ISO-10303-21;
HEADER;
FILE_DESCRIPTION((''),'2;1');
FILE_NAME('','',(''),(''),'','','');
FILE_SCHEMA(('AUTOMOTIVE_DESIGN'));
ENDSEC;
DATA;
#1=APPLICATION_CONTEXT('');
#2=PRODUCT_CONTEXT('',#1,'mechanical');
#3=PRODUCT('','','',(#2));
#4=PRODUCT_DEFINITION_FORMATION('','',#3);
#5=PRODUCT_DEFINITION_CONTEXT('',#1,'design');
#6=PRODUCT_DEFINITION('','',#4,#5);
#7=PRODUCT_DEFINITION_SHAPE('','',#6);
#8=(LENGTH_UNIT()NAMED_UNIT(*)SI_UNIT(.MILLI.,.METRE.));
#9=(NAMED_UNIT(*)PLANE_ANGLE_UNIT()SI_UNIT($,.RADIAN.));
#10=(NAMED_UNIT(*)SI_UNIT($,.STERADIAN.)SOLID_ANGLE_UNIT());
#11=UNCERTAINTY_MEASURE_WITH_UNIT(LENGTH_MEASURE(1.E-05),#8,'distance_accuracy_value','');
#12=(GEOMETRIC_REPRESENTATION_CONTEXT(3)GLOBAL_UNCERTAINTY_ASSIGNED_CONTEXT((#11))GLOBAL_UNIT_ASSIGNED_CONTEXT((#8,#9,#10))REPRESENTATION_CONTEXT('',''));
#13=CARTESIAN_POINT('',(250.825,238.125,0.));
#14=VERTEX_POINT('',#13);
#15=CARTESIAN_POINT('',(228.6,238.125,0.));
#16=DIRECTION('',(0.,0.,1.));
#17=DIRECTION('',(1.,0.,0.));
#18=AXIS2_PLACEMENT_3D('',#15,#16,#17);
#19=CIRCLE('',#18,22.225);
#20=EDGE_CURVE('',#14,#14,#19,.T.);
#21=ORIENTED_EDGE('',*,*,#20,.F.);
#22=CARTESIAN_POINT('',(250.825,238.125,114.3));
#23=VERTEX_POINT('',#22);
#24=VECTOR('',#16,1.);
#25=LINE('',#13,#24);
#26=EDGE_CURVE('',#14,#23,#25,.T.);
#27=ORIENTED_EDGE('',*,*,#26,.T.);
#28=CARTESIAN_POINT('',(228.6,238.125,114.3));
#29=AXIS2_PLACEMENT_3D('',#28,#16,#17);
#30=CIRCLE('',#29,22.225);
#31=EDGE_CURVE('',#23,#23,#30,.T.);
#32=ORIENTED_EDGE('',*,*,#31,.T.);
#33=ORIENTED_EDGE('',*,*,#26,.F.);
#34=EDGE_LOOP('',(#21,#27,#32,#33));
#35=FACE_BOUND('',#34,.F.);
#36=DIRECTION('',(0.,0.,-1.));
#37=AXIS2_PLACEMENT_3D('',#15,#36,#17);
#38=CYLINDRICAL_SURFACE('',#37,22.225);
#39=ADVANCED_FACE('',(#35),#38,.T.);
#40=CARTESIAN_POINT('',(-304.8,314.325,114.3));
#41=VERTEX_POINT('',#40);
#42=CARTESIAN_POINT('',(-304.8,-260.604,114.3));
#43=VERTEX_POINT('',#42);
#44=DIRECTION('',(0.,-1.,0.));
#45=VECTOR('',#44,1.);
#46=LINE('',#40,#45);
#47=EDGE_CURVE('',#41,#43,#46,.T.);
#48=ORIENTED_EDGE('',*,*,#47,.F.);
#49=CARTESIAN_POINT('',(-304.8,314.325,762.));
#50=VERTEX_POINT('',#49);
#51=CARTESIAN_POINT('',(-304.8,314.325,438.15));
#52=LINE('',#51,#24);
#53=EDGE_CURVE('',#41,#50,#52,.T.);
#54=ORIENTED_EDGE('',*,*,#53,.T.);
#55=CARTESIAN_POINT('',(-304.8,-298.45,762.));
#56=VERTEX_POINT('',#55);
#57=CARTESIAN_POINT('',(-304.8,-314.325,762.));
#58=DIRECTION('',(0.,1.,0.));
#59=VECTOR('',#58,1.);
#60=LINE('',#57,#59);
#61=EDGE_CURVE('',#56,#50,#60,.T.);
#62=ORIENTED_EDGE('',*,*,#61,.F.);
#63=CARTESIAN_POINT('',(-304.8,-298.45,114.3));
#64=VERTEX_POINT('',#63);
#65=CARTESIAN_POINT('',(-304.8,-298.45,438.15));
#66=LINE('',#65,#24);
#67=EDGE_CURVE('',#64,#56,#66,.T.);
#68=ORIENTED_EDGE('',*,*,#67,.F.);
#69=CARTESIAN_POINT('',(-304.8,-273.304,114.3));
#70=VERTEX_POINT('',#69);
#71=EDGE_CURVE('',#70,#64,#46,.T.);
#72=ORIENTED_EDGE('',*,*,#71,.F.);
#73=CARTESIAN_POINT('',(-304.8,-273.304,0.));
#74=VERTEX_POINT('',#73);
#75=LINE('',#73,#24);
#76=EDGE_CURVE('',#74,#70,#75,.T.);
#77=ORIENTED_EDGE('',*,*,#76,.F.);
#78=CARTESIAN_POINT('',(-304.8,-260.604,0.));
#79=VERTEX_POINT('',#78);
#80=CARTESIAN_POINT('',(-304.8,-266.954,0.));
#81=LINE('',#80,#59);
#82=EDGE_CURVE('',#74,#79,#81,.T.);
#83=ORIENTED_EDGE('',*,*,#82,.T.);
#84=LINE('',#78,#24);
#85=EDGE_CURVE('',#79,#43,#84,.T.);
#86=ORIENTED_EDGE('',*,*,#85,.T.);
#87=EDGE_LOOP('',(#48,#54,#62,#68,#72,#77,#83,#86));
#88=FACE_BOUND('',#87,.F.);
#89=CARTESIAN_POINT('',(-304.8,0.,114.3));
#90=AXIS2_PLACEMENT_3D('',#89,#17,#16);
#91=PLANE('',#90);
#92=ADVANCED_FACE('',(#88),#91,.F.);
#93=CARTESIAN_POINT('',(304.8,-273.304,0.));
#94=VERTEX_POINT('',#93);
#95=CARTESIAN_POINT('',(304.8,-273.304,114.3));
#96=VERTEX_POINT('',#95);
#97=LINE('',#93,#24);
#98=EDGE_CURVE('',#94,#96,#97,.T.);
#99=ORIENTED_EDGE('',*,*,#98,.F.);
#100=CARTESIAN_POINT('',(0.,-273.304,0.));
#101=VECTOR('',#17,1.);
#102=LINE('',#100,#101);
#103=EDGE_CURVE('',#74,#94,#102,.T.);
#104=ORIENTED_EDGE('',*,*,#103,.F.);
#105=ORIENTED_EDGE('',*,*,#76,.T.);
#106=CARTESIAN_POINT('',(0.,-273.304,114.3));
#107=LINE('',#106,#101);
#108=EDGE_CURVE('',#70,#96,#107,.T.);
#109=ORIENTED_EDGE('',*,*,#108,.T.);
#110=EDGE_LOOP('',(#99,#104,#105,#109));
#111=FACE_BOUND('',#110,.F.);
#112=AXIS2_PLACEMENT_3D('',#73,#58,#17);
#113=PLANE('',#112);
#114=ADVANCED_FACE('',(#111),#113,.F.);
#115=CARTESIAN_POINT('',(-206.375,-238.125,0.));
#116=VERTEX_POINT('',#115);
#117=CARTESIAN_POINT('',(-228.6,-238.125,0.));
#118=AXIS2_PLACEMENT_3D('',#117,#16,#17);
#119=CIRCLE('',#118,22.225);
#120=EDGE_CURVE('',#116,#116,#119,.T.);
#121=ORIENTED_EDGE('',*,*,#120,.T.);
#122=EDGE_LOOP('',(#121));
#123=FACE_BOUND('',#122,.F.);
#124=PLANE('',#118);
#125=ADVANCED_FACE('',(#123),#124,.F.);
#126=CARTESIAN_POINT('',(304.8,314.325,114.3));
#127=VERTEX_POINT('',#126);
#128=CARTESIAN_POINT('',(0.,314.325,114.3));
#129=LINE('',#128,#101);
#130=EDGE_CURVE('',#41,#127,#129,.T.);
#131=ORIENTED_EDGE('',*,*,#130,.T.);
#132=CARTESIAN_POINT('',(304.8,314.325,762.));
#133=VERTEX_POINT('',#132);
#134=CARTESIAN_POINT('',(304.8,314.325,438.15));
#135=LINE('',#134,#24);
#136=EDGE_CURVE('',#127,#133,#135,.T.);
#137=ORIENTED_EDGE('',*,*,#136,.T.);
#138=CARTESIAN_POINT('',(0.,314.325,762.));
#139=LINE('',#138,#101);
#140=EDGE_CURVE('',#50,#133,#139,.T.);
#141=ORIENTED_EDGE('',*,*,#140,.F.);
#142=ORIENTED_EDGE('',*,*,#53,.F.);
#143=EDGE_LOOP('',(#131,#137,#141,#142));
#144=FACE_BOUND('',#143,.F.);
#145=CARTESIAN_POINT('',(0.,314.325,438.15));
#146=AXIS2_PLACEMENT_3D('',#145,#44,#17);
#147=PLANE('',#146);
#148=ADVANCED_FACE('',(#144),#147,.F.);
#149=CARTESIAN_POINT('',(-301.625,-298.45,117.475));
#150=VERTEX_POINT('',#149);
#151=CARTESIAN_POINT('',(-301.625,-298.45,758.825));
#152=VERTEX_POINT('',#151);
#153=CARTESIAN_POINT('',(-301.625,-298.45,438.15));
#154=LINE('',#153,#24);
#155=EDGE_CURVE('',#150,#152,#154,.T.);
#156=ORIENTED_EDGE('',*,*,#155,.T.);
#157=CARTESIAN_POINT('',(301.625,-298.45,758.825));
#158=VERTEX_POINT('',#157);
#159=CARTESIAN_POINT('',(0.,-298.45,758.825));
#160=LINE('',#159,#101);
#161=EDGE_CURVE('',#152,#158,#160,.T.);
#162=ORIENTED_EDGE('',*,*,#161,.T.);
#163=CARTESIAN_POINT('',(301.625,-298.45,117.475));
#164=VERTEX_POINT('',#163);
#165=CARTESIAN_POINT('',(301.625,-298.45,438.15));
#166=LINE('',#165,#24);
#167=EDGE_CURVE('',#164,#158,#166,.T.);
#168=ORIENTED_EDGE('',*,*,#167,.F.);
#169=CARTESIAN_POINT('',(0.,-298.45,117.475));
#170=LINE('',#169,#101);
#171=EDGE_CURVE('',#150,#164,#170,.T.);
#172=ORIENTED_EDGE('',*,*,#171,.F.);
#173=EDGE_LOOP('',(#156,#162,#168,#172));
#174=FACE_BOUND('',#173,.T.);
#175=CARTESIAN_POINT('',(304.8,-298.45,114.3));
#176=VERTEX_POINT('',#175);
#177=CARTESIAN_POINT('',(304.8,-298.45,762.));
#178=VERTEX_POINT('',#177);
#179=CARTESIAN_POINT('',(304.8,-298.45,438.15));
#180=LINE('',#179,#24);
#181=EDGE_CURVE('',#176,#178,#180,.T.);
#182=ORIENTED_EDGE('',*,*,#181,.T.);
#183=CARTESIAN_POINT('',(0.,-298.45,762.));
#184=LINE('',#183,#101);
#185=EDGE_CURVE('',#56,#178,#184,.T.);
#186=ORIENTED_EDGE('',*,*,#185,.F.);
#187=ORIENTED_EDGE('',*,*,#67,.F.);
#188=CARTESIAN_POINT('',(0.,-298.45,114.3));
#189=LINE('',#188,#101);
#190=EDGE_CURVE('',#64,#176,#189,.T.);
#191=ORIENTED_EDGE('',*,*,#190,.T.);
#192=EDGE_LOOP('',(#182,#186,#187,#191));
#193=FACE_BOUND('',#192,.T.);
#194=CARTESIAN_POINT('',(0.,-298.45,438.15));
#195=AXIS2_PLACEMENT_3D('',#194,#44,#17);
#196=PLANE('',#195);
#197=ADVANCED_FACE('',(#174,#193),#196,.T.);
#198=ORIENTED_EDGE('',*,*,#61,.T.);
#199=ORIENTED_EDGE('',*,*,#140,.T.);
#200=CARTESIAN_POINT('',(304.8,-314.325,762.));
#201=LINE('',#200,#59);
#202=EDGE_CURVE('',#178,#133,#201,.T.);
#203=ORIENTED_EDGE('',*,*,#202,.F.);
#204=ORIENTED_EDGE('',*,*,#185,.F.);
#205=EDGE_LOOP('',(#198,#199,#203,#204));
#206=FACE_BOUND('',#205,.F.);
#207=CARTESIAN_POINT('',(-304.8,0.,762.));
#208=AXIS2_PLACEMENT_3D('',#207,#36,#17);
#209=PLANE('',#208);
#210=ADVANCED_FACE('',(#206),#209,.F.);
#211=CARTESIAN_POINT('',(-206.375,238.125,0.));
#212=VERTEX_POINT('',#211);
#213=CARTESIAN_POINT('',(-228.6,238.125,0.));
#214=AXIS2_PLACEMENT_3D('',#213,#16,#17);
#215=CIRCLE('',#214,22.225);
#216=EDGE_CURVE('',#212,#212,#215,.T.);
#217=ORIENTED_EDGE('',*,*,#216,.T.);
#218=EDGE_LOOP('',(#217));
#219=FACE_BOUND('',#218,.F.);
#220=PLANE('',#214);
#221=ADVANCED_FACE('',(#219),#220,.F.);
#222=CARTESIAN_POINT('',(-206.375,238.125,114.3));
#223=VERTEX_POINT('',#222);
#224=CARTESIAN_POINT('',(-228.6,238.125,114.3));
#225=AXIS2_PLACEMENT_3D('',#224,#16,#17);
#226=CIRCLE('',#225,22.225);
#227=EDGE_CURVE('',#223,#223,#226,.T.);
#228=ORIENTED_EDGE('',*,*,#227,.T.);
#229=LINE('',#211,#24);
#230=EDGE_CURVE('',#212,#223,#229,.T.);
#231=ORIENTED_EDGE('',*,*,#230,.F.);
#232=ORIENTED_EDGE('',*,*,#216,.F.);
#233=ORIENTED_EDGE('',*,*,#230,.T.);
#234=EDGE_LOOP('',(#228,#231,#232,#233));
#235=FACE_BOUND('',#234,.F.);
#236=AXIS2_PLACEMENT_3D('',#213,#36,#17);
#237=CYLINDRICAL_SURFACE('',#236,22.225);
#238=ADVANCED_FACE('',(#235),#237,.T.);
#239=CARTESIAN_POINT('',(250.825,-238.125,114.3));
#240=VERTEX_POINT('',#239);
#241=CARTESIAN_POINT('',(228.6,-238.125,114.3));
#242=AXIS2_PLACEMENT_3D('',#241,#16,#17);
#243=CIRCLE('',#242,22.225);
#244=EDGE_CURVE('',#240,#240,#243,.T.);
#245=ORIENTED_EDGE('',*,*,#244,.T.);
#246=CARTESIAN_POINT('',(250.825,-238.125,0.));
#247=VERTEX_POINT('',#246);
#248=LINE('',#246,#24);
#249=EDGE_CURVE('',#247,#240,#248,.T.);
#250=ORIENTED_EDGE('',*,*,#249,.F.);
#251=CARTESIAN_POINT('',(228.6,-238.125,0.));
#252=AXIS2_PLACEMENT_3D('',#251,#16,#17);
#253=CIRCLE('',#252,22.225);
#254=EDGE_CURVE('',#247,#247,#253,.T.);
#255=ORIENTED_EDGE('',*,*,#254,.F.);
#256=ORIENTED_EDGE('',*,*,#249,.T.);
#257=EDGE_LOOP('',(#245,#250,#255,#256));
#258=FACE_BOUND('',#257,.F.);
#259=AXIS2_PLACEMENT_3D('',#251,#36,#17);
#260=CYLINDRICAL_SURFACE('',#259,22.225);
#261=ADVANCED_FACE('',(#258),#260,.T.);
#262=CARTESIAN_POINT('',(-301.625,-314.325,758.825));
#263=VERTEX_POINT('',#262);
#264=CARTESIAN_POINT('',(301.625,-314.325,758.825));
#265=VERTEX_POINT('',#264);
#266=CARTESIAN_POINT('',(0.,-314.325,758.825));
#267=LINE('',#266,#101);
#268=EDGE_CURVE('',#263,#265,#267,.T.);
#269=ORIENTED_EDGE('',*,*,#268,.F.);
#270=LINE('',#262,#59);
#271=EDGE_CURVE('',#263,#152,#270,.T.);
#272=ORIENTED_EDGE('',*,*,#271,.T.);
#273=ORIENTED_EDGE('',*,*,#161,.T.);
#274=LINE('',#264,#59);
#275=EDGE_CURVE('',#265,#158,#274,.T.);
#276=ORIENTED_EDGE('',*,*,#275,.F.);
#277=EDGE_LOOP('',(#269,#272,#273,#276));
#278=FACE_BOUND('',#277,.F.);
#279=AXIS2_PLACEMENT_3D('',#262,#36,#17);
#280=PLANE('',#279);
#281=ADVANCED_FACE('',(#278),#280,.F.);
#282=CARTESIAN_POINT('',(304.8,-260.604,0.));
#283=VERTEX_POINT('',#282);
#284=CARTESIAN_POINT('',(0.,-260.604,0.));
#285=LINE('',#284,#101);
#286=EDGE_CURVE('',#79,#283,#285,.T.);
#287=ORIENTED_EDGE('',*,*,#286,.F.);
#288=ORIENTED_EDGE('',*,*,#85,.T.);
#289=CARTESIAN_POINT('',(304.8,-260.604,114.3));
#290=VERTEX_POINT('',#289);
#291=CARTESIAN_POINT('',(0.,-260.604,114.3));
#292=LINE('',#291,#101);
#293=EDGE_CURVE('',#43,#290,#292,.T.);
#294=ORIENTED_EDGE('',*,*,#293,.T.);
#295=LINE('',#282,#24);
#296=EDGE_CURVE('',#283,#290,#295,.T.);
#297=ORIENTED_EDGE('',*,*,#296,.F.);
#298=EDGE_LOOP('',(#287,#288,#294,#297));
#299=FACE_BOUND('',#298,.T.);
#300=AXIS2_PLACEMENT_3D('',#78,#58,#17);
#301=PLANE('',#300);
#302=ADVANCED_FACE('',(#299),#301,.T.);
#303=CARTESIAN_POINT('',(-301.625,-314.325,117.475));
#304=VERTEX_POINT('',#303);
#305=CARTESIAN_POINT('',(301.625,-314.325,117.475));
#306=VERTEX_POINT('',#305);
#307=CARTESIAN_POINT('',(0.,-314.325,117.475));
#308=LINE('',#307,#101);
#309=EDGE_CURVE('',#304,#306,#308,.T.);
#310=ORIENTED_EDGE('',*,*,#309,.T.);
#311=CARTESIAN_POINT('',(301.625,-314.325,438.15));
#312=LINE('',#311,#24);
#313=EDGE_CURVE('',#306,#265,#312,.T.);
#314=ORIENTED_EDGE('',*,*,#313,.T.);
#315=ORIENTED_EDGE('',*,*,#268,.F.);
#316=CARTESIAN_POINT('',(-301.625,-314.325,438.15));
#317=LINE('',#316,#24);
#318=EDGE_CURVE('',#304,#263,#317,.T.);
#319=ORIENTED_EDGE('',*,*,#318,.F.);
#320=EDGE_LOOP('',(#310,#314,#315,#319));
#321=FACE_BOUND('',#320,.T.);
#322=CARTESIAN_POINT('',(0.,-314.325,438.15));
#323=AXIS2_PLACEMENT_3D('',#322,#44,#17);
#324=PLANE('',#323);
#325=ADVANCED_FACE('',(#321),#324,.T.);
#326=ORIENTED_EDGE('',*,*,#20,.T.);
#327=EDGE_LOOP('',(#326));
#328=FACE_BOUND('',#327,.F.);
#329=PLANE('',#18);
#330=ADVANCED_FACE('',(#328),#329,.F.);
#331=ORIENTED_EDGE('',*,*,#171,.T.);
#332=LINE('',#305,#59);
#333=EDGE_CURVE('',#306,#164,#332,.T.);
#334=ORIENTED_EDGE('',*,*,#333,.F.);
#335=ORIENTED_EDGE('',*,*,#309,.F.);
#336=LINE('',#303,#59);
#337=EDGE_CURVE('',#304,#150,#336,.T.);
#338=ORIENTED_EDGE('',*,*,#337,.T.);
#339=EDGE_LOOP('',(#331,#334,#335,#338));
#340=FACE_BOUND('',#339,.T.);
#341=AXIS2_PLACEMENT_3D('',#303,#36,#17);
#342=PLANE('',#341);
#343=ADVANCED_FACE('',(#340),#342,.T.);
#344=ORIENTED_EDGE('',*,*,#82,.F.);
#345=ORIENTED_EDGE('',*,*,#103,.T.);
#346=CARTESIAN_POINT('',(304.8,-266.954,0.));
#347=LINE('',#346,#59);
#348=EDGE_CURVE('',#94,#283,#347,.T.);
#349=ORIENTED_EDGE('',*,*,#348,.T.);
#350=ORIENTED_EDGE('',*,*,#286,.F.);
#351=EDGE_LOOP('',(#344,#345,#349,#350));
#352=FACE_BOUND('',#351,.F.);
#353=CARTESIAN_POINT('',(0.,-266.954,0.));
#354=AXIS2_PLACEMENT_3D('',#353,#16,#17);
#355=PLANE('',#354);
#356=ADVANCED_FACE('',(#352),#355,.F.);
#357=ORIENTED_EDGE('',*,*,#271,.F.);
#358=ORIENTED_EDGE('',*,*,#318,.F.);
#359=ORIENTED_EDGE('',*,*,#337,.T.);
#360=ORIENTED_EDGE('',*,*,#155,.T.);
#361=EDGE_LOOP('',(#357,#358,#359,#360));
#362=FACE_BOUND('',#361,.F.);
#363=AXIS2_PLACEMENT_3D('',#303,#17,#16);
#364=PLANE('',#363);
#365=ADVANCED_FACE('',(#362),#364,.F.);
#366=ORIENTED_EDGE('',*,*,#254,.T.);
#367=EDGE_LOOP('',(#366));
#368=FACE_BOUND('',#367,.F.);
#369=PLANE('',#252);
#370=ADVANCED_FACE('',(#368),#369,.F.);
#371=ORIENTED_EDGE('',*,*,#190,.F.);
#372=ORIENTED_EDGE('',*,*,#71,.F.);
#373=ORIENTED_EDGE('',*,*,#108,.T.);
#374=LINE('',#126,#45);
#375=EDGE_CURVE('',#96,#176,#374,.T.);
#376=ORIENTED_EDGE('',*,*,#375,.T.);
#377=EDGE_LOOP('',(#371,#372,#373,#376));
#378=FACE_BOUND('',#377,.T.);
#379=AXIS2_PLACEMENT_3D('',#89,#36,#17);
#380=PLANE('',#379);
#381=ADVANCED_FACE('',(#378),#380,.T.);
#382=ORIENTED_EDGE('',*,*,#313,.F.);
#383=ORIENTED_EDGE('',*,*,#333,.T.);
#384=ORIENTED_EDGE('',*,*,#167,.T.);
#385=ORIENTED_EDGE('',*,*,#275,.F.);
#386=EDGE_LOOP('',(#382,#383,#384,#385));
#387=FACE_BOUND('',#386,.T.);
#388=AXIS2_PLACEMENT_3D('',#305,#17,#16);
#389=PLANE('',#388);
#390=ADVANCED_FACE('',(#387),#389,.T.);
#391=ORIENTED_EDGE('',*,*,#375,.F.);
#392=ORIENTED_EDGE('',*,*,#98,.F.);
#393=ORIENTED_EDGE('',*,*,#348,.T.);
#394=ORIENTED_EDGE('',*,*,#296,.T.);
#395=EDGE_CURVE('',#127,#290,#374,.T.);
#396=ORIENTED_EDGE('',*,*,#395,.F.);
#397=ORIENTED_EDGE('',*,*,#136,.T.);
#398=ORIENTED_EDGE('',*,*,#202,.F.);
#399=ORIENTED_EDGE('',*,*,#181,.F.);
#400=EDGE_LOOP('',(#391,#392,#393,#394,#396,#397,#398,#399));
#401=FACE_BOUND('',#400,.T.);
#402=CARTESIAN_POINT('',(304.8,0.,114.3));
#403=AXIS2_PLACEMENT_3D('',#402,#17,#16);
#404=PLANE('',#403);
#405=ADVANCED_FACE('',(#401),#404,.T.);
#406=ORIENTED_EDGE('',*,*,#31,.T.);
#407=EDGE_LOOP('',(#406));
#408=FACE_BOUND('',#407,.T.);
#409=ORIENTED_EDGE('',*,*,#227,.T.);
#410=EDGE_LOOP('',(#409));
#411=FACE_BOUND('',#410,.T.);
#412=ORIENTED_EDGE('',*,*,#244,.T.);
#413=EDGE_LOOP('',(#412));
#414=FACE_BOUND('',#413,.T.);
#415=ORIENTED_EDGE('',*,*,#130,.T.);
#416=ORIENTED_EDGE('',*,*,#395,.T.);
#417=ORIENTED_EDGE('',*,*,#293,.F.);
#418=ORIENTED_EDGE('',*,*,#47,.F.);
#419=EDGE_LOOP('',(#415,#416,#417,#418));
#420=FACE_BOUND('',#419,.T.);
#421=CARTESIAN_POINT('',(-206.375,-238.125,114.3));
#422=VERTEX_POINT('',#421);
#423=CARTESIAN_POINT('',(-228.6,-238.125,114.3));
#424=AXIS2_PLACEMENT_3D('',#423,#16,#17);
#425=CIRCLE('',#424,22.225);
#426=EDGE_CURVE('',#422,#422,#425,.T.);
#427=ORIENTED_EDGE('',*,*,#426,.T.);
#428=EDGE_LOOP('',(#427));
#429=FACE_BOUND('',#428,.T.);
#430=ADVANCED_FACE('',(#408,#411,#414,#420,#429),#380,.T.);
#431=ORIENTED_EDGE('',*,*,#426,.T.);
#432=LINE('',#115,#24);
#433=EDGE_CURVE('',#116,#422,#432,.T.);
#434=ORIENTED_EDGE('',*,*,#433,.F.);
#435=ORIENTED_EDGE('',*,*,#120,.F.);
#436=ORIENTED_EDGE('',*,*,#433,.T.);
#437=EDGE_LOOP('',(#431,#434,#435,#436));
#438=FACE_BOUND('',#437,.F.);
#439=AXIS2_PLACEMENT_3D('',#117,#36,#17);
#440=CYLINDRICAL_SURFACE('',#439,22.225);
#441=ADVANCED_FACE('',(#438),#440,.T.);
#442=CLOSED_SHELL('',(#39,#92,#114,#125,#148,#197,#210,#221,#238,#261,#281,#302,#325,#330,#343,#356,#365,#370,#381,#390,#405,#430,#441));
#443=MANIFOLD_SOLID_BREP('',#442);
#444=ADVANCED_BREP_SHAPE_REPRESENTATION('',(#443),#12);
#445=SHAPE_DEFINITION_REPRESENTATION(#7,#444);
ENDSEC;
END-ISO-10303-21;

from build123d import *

# Parameters (mm, degrees)
F0_W     = 609.6
F0_H     = 647.7
F1_DEPTH = 314.325
F2_R     = 22.225
F3_DEPTH = 114.3
F4_W     = 609.6
F4_H     = 12.7
F5_DEPTH = 114.3
F6_W     = 609.6
F6_H     = 647.7
F6_W_2   = 603.25
F6_H_2   = 641.35
F7_DEPTH = 15.875


with BuildPart() as f1:
    # F0 (on Front) → F1 (new body, symmetric)
    with BuildSketch(Plane.XZ):
        with Locations((0, 438.15)):
            Rectangle(F0_W, F0_H)
    extrude(amount=F1_DEPTH, both=True)

    # F2 (on Top) → F3 (join)
    with BuildSketch(Plane.XY):
        with Locations((-228.6, -238.125)):
            Circle(F2_R)
        with Locations((228.6, -238.125)):
            Circle(F2_R)
        with Locations((228.6, 238.125)):
            Circle(F2_R)
        with Locations((-228.6, 238.125)):
            Circle(F2_R)
    extrude(amount=F3_DEPTH)

    # F4 (on Top) → F5 (join, through all)
    with BuildSketch(Plane.XY):
        with Locations((0, -266.954)):
            Rectangle(F4_W, F4_H)
    extrude(amount=F5_DEPTH)

    # F6 (on face) → F7 (cut)
    with BuildSketch(Plane.XZ.offset(314.325)):
        with Locations((0, 438.15)):
            Rectangle(F6_W, F6_H)
        with Locations((0, 438.15)):
            Rectangle(F6_W_2, F6_H_2, mode=Mode.SUBTRACT)
    extrude(amount=-F7_DEPTH, mode=Mode.SUBTRACT)


solid = f1.part
